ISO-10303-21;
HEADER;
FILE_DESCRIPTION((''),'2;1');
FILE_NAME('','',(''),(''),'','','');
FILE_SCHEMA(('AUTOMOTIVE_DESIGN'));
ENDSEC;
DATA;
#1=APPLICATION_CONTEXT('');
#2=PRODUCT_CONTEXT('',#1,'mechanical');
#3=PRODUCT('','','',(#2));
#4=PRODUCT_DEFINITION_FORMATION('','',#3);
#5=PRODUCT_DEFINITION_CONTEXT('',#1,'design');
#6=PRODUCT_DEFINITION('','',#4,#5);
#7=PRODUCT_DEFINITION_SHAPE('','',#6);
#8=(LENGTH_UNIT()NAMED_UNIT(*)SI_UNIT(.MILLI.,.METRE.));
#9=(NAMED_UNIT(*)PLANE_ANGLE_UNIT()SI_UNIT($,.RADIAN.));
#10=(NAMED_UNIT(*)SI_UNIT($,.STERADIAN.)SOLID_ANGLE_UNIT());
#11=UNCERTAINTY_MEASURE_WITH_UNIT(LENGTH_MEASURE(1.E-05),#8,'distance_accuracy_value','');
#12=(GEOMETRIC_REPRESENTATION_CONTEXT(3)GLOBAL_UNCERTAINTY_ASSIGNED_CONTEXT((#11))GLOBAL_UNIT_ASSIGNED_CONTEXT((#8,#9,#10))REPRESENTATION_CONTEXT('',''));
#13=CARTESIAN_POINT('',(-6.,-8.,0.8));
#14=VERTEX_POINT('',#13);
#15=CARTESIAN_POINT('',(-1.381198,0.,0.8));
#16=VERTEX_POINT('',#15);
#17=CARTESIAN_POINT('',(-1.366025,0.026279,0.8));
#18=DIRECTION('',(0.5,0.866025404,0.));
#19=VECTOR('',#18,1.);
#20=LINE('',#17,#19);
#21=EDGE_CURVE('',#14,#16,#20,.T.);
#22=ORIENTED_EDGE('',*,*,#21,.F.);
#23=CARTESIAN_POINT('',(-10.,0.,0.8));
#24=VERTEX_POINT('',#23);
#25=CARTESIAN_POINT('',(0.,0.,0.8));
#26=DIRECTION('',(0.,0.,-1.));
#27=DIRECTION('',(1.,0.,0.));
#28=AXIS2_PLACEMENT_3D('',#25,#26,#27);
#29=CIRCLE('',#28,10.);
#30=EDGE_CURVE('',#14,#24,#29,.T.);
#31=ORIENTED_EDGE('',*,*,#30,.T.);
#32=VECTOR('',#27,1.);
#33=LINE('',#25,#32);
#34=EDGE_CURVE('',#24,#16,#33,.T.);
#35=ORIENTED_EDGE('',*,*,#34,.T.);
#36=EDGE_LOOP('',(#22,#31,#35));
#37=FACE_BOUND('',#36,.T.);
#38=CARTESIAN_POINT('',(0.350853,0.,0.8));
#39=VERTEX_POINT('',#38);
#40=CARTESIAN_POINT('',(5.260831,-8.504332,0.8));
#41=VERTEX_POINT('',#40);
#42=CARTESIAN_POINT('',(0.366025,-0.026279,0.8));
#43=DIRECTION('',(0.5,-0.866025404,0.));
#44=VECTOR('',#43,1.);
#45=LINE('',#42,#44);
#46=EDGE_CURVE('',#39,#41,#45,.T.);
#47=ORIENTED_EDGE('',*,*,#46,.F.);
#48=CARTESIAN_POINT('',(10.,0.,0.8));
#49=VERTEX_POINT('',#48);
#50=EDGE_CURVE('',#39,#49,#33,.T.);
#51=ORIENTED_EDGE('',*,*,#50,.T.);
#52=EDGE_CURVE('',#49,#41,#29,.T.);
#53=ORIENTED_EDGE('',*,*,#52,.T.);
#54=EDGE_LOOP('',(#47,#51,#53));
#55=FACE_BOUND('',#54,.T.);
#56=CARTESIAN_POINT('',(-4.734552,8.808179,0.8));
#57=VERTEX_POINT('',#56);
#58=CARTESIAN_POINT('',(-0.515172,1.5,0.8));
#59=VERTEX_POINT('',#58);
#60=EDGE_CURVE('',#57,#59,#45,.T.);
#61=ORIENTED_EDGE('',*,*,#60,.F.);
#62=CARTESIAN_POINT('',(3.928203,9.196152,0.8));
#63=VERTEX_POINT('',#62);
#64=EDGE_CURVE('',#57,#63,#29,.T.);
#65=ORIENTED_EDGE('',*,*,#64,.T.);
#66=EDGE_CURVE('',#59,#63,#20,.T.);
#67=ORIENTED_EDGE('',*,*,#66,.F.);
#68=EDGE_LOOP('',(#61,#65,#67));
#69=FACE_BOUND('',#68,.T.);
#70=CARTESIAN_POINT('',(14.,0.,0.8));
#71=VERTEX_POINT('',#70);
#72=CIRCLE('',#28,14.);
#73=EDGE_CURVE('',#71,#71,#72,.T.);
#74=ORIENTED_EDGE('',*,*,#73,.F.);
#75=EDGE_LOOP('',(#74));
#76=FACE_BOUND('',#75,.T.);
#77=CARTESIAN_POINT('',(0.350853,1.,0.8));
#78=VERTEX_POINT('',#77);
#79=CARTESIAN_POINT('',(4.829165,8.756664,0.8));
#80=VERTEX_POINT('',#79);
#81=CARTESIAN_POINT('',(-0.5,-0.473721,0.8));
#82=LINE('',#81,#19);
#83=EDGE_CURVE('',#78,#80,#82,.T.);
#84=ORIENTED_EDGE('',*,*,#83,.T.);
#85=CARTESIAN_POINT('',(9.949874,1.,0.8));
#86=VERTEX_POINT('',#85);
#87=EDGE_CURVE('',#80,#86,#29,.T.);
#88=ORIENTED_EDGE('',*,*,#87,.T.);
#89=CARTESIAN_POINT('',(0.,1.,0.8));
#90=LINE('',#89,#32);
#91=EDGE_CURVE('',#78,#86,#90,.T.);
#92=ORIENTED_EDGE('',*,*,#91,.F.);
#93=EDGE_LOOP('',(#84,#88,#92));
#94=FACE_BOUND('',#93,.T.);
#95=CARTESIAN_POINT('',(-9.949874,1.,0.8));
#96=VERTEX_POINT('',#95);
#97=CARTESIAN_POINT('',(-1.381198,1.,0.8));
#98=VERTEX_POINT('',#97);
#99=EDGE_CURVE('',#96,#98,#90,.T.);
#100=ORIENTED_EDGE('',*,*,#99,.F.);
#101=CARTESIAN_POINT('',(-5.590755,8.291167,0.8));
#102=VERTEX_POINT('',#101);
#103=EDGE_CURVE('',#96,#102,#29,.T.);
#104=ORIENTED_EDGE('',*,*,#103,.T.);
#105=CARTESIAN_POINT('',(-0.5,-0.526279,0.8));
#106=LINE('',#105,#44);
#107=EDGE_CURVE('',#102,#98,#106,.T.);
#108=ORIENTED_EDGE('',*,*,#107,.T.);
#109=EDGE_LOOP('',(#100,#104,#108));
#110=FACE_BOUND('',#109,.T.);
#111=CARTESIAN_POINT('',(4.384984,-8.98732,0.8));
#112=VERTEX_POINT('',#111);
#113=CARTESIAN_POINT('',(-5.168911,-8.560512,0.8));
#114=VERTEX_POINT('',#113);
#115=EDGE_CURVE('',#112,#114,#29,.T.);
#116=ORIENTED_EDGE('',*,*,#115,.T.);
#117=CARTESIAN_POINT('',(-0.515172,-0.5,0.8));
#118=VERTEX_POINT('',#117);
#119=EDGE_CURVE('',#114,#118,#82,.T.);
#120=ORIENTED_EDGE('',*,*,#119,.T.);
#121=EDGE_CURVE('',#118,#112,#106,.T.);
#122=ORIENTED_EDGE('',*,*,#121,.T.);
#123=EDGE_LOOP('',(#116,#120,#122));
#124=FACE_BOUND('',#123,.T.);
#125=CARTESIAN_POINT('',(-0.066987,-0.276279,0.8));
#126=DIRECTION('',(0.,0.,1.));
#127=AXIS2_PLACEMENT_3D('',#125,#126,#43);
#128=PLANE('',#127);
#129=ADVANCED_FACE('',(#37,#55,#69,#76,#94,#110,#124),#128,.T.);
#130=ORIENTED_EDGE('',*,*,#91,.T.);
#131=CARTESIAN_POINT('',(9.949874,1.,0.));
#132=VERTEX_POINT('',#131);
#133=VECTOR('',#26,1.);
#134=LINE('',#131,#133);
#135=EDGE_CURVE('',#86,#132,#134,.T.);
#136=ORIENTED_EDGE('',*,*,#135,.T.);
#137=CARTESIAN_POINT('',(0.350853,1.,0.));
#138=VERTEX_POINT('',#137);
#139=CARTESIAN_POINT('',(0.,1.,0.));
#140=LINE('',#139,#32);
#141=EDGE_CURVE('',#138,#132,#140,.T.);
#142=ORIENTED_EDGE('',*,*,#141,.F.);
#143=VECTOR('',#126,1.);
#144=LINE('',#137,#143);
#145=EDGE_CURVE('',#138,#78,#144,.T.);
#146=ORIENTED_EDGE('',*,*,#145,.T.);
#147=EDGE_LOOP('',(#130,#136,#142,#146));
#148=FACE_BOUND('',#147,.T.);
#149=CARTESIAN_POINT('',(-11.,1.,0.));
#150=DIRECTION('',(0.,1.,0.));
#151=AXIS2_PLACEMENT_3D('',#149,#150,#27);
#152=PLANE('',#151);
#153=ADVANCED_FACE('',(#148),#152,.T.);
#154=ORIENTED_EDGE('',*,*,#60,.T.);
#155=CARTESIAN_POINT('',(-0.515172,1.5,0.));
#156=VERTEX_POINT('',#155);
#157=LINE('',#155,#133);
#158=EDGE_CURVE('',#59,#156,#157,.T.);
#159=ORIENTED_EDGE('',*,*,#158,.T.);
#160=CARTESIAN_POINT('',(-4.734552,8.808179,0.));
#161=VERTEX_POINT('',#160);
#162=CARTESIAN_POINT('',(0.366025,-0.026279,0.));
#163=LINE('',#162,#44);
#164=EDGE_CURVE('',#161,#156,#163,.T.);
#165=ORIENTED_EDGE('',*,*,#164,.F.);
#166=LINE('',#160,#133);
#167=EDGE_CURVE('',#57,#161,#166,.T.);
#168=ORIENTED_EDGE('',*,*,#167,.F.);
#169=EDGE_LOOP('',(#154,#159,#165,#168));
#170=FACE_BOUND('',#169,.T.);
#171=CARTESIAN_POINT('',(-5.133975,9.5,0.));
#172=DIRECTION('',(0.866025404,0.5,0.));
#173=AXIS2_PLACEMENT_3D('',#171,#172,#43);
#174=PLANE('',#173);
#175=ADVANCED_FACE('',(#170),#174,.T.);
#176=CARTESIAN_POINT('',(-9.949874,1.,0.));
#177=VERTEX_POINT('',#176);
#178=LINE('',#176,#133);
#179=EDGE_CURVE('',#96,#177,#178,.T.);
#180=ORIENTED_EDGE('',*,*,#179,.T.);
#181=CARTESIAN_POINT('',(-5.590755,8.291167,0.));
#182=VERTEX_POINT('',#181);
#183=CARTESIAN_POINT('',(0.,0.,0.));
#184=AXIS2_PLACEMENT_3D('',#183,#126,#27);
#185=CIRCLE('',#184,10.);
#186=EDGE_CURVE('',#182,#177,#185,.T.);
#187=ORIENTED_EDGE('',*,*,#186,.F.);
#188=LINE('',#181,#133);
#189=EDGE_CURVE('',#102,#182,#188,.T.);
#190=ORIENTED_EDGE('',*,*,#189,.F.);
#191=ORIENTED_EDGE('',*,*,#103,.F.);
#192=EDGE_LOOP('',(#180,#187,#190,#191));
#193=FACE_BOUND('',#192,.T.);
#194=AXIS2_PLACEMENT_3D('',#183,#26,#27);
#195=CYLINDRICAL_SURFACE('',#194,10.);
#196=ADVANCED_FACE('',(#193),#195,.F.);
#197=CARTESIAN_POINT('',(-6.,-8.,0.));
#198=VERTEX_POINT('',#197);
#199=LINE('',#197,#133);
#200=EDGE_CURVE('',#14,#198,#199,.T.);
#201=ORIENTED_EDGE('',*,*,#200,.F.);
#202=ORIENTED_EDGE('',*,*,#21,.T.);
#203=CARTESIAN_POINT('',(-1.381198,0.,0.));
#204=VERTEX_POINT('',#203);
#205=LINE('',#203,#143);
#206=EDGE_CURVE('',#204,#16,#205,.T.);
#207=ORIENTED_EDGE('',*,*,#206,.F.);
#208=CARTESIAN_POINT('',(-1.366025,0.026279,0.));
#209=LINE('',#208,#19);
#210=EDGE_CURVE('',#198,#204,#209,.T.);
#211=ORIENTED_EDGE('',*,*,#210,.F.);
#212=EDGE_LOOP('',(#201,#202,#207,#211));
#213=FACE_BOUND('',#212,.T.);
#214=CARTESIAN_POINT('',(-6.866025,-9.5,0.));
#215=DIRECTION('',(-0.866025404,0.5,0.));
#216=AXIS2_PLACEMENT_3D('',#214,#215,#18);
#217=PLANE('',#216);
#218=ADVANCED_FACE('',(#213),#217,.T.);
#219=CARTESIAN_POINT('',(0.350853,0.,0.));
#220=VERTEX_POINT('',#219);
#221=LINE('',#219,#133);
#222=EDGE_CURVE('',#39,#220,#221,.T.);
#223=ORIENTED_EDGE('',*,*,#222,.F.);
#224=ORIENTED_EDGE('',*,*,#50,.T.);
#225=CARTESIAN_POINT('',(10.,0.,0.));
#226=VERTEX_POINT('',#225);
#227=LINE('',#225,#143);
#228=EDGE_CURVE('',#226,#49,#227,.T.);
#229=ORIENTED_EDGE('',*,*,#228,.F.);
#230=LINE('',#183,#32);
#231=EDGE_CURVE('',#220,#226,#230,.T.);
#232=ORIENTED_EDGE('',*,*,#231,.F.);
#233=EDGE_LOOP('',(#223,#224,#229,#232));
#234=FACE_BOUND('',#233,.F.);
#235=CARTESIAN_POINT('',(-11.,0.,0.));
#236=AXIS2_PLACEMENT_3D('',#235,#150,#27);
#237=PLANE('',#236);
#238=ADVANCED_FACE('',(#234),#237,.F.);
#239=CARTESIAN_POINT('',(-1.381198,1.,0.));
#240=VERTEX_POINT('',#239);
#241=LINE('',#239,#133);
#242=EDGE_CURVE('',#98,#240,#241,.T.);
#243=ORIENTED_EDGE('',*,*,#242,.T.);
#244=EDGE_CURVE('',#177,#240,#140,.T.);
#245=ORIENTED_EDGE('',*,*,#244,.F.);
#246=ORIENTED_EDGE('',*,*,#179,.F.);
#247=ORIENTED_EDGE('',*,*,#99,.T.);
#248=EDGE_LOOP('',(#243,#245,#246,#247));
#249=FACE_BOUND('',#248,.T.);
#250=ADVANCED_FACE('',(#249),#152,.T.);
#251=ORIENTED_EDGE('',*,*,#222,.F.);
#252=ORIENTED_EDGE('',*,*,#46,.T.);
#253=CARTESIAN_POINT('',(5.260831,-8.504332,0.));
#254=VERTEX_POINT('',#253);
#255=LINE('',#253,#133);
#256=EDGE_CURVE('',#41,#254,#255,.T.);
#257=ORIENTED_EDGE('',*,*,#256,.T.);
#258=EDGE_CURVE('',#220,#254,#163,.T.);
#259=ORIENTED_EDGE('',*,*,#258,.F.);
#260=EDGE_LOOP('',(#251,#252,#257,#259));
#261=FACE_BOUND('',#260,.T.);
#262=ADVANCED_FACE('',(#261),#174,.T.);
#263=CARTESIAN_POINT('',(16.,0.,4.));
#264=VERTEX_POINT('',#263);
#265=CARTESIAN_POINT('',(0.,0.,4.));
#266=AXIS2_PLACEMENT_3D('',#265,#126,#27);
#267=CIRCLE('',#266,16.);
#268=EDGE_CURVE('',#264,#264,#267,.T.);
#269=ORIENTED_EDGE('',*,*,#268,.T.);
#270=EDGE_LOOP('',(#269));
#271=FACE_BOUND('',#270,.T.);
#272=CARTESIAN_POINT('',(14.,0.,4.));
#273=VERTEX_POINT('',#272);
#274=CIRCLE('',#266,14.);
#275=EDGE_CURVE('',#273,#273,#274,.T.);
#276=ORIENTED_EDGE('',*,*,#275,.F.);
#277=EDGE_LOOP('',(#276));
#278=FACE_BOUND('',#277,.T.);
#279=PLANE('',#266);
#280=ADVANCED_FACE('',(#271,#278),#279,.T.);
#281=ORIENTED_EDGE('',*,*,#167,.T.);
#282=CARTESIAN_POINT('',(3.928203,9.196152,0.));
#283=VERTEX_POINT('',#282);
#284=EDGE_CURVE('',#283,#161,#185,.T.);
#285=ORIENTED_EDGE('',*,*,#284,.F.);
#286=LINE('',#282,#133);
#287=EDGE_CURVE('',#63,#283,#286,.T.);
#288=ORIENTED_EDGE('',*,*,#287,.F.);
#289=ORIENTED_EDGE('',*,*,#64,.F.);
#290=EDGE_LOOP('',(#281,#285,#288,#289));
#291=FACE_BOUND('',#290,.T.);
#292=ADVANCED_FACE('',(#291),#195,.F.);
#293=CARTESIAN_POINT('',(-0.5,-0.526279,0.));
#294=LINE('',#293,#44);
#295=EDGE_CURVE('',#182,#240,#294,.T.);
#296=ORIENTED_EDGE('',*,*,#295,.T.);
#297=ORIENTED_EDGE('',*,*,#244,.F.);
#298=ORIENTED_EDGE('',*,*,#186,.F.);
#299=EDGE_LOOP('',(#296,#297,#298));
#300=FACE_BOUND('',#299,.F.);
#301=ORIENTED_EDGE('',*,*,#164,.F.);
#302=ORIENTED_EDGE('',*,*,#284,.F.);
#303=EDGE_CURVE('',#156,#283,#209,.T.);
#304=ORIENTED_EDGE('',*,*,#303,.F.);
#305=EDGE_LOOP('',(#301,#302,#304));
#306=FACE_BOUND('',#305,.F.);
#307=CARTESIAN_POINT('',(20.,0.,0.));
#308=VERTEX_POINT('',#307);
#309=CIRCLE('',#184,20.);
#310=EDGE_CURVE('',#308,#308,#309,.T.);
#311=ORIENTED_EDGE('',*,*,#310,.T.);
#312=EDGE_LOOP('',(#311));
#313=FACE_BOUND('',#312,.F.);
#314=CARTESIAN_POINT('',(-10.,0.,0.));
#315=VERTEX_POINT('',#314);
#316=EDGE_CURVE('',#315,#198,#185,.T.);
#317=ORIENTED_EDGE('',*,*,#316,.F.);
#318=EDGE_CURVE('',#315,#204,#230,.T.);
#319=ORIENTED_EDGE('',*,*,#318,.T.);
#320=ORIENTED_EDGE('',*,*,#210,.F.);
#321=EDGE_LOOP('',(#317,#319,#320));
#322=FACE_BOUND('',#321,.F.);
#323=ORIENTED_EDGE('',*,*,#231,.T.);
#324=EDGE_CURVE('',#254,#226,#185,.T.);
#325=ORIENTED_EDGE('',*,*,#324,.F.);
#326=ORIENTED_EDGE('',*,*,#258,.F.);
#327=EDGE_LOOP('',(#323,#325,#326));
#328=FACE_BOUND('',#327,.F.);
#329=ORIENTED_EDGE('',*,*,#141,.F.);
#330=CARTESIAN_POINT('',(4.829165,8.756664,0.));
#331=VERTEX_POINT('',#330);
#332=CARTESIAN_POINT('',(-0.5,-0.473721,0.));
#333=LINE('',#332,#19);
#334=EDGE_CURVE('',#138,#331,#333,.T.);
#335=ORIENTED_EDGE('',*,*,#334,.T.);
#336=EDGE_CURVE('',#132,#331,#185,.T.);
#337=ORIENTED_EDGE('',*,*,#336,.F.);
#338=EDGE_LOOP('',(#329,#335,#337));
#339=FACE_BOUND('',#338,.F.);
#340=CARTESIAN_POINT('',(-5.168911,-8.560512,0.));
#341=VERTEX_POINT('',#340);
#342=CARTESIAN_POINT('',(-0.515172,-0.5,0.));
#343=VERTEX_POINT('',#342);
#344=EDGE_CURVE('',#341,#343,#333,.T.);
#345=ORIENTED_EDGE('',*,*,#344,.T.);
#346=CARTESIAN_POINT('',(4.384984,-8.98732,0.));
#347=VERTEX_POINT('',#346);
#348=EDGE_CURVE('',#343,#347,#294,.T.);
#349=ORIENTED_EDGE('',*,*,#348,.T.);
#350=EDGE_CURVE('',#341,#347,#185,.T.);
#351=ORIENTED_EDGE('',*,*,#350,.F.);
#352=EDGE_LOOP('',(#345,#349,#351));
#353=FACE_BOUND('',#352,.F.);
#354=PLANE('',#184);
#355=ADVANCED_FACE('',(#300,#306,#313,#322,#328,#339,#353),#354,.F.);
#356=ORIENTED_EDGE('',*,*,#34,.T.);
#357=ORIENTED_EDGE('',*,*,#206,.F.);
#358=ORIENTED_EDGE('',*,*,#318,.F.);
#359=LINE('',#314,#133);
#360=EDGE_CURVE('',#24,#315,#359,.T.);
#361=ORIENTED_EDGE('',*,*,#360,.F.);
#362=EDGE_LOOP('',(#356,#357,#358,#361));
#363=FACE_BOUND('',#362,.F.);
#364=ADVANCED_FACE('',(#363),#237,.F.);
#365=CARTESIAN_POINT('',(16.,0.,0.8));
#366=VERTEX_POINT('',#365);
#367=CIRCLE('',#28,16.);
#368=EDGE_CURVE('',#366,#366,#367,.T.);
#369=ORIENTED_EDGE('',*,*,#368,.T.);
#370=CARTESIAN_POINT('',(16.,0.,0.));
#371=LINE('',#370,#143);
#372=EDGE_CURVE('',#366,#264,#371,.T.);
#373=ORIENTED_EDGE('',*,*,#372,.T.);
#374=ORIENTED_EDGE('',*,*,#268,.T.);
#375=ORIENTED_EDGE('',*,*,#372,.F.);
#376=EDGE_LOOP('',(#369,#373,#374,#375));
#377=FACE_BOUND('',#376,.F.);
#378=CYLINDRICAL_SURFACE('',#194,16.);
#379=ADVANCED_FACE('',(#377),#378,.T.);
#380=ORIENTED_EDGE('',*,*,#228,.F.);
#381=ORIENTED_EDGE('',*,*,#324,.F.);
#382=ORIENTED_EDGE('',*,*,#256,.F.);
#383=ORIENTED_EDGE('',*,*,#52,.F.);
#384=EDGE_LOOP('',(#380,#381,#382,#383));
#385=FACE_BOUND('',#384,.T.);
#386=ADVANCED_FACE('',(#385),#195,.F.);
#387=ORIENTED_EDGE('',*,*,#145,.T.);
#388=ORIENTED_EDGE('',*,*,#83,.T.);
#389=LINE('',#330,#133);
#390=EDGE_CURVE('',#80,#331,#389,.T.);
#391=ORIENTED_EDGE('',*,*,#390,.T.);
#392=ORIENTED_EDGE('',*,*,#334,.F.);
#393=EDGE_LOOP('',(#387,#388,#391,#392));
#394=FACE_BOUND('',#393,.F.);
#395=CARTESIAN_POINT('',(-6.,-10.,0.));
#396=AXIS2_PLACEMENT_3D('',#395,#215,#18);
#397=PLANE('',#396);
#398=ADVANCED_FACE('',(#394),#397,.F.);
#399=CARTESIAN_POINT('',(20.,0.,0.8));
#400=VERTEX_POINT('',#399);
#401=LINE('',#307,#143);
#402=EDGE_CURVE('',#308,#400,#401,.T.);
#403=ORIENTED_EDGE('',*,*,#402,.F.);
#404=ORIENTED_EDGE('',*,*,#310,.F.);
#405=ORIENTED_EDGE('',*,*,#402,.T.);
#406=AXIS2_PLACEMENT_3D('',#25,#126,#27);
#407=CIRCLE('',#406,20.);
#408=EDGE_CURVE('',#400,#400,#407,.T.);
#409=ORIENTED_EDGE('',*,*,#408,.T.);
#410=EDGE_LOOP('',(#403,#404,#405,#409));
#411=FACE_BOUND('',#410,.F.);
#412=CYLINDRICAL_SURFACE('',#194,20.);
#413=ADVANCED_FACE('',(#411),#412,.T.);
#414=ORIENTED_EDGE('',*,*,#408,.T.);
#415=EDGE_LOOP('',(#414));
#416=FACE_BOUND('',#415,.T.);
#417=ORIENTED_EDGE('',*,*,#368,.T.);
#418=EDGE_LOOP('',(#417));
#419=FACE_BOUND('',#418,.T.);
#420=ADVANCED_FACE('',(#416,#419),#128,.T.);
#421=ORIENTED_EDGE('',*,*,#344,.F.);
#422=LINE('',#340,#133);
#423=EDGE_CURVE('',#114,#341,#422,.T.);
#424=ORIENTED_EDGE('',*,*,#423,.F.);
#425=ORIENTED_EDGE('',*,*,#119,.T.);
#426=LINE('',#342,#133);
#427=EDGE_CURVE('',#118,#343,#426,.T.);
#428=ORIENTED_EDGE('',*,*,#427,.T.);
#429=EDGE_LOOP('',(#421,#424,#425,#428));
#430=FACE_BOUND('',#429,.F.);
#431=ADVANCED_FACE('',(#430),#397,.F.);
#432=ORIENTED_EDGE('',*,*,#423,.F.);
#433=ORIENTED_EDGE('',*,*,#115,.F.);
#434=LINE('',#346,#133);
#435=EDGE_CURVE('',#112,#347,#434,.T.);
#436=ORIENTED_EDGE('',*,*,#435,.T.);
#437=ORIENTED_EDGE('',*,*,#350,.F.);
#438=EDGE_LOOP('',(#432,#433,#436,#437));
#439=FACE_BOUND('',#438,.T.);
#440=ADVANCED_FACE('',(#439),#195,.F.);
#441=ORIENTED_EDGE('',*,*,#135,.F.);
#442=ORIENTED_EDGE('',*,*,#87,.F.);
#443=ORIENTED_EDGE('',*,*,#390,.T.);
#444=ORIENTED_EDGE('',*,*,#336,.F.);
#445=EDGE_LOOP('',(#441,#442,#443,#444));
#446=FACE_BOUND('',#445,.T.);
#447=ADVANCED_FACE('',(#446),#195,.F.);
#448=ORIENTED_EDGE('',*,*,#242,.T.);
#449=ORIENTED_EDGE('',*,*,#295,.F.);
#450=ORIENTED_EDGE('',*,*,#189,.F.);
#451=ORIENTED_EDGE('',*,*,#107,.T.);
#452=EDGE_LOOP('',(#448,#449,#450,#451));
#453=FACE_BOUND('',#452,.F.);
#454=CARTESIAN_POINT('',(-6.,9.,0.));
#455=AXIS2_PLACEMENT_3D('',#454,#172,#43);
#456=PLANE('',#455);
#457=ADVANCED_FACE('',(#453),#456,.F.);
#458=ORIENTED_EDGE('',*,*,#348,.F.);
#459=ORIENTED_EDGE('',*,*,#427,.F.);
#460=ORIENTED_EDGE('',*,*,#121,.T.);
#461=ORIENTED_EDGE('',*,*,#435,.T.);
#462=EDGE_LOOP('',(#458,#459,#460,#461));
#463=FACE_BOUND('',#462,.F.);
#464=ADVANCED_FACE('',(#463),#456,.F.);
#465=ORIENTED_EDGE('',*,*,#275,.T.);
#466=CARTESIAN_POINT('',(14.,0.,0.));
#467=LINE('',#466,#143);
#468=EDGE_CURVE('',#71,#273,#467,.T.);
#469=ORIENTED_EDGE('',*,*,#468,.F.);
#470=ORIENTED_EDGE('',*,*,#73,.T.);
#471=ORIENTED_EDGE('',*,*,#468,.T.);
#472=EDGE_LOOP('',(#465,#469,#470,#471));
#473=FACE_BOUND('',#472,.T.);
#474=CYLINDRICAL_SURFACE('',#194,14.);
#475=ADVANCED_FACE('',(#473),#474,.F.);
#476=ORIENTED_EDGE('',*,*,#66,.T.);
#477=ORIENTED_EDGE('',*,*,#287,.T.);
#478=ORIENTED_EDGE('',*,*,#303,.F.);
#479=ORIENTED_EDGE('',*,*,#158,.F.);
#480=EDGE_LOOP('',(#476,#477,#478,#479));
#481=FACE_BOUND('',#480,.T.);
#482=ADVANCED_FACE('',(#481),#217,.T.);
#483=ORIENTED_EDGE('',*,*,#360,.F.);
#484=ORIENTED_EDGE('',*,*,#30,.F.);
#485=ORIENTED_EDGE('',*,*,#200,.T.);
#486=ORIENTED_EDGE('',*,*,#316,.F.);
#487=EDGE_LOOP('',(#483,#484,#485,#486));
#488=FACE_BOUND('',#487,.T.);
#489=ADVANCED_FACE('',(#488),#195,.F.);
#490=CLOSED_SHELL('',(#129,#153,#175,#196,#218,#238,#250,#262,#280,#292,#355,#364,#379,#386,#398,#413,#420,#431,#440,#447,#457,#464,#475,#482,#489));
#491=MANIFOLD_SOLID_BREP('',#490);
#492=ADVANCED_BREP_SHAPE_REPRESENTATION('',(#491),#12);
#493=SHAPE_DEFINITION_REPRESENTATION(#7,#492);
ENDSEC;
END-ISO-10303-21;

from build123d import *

# Parameters (mm, degrees)
BOX_W                  = 22
BOX_H                  = 1
BOX_DEPTH              = 0.8
BOX001_W               = 22
BOX001_H               = 1
BOX001_DEPTH           = 0.8
BOX001_PLACEMENT_ANGLE = 60
BOX002_W               = 22
BOX002_H               = 1
BOX002_DEPTH           = 0.8
BOX002_PLACEMENT_ANGLE = -60
CYLINDER003_R          = 14
CYLINDER003_DEPTH      = 4
CYLINDER002_R          = 16
CYLINDER002_DEPTH      = 4
CYLINDER001_R          = 10
CYLINDER001_DEPTH      = 1
CYLINDER_R             = 20
CYLINDER_DEPTH         = 0.8


with BuildPart() as box:
    # Box → Box (new body)
    with BuildSketch(Plane(origin=(-11, 0, 0), x_dir=(1, 0, 0), z_dir=(0, 0, 1))):
        with Locations((11, 0.5)):
            Rectangle(BOX_W, BOX_H)
    extrude(amount=BOX_DEPTH)


with BuildPart() as box001:
    # Box001 → Box001 (new body)
    with BuildSketch(Plane.XY):
        with Locations((11, 0.5)):
            Rectangle(BOX001_W, BOX001_H)
    extrude(amount=BOX001_DEPTH)


with BuildPart() as box001_1:
    # Box001 placement: moved
    add(box001.part.moved(Location((-6, -10, 0))).rotate(Axis((-6, -10, 0), (0, 0, 1)), BOX001_PLACEMENT_ANGLE))


with BuildPart() as box002:
    # Box002 → Box002 (new body)
    with BuildSketch(Plane.XY):
        with Locations((11, 0.5)):
            Rectangle(BOX002_W, BOX002_H)
    extrude(amount=BOX002_DEPTH)


with BuildPart() as box002_1:
    # Box002 placement: moved
    add(box002.part.moved(Location((-6, 9, 0))).rotate(Axis((-6, 9, 0), (0, 0, 1)), BOX002_PLACEMENT_ANGLE))


with BuildPart() as shoulder_in:
    # Cylinder003 → Cylinder003 (new body)
    with BuildSketch(Plane.XY):
        Circle(CYLINDER003_R)
    extrude(amount=CYLINDER003_DEPTH)


with BuildPart() as shoulder:
    # Cylinder002 → Cylinder002 (new body)
    with BuildSketch(Plane.XY):
        Circle(CYLINDER002_R)
    extrude(amount=CYLINDER002_DEPTH)

    # Cut001: cut shoulder_in
    add(shoulder_in.part, mode=Mode.SUBTRACT)


with BuildPart() as hole:
    # Cylinder001 → Cylinder001 (new body)
    with BuildSketch(Plane.XY):
        Circle(CYLINDER001_R)
    extrude(amount=CYLINDER001_DEPTH)


with BuildPart() as bottom:
    # Cylinder → Cylinder (new body)
    with BuildSketch(Plane.XY):
        Circle(CYLINDER_R)
    extrude(amount=CYLINDER_DEPTH)

    # Cut: cut hole
    add(hole.part, mode=Mode.SUBTRACT)

    # Fusion: union Box, Box001, Box002, shoulder
    add(box.part)
    add(box001_1.part)
    add(box002_1.part)
    add(shoulder.part)


solid = bottom.part
